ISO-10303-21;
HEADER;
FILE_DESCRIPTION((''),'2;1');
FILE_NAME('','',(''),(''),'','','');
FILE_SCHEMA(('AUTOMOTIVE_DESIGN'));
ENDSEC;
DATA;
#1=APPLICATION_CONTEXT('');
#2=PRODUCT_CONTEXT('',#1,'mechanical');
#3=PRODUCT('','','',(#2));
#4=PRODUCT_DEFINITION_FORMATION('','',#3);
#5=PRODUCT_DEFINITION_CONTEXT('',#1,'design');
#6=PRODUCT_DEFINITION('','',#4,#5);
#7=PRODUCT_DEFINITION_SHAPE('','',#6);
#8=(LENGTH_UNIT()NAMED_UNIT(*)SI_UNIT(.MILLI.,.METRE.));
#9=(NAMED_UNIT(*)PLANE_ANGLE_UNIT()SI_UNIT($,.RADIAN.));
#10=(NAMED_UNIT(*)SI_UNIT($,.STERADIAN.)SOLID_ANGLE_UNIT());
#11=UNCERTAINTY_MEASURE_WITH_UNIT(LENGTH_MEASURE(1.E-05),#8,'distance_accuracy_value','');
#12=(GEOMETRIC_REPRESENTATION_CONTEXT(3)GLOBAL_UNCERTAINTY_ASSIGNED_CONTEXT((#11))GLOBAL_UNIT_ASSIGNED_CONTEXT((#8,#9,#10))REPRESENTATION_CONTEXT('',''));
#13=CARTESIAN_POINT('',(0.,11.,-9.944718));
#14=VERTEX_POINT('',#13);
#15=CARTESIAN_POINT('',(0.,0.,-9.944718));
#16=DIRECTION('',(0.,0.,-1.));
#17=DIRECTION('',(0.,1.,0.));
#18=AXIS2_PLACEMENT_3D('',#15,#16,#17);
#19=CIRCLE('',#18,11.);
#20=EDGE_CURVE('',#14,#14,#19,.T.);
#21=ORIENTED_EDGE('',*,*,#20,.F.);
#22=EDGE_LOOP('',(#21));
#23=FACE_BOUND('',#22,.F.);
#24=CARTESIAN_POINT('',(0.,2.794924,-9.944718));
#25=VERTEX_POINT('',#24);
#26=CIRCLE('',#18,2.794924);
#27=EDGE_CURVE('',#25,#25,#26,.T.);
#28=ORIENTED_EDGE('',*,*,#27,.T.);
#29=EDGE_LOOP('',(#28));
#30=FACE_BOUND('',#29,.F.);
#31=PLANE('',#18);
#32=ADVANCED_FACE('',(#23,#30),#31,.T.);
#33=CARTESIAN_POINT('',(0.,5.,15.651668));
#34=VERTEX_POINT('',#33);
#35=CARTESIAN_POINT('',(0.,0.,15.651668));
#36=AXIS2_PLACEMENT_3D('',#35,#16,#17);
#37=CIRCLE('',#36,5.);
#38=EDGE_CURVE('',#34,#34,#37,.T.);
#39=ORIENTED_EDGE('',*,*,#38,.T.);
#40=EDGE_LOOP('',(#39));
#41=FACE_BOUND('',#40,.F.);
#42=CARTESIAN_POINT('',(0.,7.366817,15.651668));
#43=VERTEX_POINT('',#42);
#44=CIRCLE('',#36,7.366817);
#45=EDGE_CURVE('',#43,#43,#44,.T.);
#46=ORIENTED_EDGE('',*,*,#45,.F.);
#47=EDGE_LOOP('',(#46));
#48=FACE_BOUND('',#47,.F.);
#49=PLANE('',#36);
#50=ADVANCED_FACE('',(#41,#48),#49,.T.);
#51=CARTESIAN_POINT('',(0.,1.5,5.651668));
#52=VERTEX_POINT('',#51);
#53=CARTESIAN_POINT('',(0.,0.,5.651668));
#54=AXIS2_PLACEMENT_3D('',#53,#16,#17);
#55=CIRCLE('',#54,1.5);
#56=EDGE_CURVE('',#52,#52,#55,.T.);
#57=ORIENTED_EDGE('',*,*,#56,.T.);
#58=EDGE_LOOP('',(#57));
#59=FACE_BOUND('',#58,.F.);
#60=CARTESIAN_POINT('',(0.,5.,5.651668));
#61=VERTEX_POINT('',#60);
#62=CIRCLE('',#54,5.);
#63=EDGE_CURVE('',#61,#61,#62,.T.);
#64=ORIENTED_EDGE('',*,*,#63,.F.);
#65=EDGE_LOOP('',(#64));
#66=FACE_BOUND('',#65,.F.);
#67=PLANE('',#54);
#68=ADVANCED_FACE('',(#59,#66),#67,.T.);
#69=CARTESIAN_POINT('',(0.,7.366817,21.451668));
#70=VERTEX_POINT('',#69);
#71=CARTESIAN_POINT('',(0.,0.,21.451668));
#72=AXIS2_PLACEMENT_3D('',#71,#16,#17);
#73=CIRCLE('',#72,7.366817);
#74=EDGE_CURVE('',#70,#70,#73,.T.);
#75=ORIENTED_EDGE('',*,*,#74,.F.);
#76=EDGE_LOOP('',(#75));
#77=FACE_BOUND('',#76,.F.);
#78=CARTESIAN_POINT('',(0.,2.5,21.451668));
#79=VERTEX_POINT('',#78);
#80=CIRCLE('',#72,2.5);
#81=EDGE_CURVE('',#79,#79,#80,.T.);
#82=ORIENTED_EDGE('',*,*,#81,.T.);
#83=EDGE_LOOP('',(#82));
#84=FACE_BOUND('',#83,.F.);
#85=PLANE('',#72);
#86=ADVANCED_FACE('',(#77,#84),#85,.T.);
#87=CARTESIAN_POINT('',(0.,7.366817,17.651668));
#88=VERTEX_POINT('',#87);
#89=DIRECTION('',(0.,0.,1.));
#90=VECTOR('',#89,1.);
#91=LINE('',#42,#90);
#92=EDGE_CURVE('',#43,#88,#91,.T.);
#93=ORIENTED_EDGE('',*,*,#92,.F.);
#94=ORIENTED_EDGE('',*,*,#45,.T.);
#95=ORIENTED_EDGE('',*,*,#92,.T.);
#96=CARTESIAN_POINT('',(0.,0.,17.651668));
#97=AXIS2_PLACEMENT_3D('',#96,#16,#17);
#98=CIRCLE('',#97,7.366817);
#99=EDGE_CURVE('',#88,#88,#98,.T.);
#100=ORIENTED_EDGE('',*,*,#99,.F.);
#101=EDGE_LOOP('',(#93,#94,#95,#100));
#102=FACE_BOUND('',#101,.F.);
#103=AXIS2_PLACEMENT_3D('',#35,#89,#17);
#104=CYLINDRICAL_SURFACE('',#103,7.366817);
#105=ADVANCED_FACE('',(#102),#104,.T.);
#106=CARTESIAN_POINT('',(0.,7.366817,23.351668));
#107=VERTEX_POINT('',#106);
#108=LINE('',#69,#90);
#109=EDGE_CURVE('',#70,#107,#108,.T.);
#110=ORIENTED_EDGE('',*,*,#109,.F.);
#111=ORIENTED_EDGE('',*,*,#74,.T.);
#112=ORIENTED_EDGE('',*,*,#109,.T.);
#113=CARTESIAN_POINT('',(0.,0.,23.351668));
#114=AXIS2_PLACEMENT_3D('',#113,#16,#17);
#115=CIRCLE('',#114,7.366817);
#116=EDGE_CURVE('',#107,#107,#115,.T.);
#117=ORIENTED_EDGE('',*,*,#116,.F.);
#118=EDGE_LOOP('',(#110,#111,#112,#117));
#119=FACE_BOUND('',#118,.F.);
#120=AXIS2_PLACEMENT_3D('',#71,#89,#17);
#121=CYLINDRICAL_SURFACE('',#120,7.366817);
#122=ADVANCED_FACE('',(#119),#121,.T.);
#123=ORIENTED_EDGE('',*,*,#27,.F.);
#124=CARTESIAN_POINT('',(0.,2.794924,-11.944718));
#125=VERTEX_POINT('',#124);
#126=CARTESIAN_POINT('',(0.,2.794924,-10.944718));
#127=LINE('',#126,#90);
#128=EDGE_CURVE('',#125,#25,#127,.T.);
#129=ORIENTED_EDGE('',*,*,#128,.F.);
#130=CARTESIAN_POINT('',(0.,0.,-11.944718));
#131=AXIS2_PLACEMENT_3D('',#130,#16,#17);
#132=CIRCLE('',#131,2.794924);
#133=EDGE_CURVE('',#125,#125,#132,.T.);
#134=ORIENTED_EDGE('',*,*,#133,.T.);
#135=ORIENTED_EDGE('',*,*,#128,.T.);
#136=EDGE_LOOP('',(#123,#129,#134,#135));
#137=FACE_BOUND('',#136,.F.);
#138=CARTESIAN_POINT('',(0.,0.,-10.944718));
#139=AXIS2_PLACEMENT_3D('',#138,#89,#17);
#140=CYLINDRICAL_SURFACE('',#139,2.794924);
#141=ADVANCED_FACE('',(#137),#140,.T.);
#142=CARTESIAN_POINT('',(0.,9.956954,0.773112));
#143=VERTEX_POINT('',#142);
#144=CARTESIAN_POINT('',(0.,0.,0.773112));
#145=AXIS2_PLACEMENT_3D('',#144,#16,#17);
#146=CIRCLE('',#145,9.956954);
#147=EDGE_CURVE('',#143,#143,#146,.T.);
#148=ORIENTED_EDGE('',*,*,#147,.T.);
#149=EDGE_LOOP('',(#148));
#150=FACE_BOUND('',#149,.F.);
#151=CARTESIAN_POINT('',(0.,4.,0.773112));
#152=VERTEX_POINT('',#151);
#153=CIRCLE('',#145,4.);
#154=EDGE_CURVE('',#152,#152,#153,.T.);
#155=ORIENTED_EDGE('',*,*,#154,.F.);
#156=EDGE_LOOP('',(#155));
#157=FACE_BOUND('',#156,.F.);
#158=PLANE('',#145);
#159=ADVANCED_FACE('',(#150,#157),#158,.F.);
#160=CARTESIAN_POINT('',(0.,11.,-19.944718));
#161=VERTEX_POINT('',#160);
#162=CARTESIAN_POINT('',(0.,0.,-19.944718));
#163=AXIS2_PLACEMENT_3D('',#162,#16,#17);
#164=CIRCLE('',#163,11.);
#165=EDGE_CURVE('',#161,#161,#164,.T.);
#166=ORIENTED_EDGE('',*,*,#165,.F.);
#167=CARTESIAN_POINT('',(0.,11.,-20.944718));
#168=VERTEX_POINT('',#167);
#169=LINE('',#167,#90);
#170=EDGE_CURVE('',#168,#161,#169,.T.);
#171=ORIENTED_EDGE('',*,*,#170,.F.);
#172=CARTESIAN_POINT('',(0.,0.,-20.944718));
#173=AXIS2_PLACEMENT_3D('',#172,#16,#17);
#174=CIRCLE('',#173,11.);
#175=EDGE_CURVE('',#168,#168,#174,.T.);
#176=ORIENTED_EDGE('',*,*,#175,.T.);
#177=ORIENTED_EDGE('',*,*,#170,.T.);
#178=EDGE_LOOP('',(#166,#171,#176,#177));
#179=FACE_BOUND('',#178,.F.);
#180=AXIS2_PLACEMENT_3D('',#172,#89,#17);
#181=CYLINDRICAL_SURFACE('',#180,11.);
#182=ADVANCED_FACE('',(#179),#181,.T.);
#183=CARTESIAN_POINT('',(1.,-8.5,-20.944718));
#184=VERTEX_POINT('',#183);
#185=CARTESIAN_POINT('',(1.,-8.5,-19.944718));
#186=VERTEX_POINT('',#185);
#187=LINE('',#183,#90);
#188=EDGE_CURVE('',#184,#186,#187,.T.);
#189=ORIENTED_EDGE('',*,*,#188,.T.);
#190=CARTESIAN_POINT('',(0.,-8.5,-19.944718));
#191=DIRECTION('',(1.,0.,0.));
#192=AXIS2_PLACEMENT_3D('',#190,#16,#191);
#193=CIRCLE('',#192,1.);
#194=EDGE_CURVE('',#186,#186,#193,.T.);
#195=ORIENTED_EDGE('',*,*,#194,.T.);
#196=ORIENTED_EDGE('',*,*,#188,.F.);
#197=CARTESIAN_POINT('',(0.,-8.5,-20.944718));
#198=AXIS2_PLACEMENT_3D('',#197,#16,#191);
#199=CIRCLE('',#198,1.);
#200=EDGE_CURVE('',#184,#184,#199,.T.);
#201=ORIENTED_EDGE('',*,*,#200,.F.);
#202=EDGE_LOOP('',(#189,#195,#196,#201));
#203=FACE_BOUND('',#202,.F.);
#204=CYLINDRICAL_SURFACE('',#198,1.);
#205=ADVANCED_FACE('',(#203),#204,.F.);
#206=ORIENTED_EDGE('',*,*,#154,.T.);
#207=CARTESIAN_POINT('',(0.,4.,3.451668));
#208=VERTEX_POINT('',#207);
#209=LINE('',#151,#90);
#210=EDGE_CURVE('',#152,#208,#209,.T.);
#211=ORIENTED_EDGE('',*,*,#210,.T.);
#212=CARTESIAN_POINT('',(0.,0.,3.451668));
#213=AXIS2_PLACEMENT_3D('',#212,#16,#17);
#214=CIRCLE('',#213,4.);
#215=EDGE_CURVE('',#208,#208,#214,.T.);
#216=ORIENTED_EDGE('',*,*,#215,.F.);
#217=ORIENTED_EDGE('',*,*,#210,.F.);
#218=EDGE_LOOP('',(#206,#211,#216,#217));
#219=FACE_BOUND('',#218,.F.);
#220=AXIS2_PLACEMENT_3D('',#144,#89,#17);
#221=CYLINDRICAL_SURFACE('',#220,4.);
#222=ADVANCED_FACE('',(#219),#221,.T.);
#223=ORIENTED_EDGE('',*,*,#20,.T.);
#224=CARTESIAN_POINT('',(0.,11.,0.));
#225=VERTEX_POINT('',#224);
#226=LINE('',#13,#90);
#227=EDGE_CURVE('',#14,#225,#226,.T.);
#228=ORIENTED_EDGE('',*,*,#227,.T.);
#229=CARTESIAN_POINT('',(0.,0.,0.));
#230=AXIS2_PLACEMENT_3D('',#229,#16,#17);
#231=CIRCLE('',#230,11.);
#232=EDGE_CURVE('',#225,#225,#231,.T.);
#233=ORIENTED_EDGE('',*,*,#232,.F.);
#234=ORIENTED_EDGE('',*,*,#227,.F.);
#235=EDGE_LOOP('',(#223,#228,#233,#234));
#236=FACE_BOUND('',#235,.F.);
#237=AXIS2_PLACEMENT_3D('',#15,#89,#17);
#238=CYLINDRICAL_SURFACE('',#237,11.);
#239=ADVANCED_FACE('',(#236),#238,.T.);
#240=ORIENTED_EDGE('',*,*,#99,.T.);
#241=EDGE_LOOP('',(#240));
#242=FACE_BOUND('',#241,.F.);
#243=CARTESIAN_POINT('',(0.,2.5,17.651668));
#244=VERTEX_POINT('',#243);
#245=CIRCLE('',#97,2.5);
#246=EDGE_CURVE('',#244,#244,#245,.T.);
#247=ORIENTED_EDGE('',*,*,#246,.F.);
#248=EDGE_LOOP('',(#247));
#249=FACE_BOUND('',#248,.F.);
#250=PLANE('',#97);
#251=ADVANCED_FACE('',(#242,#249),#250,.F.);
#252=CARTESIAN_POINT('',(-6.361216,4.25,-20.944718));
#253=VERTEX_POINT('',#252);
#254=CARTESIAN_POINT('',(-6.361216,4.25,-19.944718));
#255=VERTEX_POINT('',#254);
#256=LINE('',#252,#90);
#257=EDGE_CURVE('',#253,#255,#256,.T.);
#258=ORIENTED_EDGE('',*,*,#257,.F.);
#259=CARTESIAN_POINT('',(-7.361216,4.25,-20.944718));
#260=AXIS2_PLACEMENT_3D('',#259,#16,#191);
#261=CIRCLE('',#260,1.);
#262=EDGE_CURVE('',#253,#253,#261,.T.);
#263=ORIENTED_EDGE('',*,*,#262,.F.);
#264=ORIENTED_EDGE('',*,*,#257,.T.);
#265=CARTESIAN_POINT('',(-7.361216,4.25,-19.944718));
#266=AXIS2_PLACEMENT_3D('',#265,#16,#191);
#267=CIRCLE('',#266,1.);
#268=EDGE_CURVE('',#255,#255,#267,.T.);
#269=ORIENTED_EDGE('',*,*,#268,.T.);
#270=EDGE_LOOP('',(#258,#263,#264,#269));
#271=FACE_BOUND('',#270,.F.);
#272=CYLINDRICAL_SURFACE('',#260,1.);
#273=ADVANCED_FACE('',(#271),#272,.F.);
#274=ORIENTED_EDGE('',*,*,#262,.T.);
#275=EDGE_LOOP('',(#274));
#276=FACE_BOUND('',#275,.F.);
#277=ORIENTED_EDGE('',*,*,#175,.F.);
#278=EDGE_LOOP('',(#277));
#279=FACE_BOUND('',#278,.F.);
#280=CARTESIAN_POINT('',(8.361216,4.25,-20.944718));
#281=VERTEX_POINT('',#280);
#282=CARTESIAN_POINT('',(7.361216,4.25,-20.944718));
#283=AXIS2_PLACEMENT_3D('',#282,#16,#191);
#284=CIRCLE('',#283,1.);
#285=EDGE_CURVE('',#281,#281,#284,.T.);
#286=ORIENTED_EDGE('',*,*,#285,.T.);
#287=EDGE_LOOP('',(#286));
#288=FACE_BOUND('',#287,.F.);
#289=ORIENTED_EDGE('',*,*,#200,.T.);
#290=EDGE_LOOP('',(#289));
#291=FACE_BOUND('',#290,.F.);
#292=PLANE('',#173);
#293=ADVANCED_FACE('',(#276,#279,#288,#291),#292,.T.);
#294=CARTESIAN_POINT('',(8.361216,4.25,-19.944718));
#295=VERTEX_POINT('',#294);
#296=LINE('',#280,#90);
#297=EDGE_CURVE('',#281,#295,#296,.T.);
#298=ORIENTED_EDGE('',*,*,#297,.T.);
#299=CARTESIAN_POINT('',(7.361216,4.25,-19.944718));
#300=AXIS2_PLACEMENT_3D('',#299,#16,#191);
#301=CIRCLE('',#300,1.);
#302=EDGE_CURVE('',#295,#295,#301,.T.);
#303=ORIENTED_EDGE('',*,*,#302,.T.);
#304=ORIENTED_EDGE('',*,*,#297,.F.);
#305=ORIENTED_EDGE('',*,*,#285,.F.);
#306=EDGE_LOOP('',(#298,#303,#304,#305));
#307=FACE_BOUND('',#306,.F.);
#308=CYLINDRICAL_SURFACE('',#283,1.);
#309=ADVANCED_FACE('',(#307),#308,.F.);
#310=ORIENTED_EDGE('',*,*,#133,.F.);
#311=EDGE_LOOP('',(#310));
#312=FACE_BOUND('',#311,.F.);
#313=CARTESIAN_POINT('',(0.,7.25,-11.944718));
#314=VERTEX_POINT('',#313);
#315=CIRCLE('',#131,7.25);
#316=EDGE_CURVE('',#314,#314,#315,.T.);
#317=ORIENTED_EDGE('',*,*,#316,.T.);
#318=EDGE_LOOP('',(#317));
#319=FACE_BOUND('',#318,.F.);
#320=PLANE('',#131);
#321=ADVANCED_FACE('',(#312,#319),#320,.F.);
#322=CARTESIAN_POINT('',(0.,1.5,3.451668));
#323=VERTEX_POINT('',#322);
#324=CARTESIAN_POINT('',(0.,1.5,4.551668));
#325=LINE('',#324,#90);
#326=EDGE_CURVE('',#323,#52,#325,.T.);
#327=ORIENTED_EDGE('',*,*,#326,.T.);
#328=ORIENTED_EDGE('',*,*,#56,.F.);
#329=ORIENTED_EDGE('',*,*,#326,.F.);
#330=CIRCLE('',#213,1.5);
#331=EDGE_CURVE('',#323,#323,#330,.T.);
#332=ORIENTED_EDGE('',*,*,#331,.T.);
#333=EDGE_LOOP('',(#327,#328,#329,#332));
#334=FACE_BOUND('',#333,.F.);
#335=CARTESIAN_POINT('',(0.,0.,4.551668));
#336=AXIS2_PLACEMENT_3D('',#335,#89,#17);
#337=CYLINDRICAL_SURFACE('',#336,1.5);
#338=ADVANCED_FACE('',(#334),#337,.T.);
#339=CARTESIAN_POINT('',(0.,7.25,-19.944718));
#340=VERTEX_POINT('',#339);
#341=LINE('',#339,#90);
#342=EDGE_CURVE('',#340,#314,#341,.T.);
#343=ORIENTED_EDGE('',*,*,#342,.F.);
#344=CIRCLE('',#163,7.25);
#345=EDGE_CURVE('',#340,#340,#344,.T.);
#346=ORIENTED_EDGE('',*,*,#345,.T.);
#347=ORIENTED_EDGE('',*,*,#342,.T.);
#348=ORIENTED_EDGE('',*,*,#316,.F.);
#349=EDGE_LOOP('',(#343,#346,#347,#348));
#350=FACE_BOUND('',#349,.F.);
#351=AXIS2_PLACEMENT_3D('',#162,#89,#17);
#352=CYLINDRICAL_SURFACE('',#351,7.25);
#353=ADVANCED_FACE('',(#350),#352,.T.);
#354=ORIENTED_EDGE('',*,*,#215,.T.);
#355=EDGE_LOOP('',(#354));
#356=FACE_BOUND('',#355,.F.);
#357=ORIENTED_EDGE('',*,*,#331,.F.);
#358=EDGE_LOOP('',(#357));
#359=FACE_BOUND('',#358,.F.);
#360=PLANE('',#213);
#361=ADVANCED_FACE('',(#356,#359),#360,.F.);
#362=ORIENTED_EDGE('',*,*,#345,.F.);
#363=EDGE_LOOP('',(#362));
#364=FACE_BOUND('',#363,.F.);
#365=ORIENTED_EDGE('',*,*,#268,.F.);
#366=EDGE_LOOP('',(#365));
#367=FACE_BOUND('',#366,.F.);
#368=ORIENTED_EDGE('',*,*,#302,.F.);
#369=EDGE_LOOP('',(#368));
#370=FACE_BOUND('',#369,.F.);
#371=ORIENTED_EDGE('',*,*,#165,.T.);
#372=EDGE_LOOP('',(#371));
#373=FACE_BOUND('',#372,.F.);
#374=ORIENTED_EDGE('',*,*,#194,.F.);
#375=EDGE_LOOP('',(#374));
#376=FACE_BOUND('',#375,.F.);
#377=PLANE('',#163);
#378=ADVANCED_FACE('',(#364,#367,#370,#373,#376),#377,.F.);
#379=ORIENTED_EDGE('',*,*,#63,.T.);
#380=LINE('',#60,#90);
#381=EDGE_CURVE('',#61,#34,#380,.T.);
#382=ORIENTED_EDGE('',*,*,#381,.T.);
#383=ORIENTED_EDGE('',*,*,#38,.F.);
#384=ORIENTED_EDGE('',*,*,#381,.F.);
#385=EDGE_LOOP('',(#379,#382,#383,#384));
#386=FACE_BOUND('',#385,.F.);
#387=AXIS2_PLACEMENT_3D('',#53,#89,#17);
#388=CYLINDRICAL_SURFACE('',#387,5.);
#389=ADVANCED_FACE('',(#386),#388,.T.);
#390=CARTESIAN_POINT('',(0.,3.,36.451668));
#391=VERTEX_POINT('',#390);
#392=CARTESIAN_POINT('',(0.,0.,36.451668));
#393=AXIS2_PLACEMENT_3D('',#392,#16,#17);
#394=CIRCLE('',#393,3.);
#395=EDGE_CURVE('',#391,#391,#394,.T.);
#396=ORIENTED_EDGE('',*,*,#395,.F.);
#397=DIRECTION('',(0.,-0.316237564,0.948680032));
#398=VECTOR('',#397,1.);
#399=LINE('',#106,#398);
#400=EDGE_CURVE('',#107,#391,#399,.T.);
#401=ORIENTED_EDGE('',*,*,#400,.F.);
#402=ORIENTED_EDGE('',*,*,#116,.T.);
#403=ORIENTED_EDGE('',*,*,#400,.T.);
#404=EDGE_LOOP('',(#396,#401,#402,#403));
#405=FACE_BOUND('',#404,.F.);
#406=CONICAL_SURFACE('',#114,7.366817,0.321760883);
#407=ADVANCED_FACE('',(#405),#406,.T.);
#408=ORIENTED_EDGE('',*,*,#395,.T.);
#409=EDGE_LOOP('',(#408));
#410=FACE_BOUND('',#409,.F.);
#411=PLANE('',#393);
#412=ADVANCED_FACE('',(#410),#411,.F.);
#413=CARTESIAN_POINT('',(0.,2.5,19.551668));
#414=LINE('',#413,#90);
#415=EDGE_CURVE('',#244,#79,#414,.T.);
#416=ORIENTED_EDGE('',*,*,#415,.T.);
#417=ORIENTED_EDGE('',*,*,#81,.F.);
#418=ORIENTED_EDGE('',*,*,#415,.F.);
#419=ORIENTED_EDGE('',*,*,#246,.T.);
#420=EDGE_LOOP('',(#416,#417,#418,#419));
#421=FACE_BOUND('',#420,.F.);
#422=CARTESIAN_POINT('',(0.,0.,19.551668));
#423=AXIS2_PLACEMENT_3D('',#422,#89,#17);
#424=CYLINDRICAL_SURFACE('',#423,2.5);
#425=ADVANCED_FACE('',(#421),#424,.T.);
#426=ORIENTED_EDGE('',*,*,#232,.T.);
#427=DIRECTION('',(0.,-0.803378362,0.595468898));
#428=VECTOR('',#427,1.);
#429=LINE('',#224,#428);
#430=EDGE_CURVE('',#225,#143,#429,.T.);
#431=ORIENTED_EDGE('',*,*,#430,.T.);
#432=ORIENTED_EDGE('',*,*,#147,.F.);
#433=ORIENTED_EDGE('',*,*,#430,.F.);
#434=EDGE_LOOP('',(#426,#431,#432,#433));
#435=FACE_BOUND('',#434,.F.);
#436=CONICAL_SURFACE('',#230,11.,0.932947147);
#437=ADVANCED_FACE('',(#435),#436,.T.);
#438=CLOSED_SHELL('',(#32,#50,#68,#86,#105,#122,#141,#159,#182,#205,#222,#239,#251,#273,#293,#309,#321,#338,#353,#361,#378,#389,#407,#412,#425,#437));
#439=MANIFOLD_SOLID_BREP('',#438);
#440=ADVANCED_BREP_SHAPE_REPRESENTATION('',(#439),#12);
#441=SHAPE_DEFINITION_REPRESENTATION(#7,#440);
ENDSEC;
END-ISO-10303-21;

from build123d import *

# Parameters (mm, degrees)
F0_W     = 2.5
F0_H     = 3.8
F0_W_2   = 1.5
F0_H_2   = 2.2
F0_W_3   = 2.794924
F0_H_3   = 2
F2_R     = 1
F3_DEPTH = 2


with BuildPart() as f1:
    # F0 (on Right) → F1 (revolve)
    with BuildSketch(Plane.YZ):
        Polygon((7.366817, 23.351668), (3, 36.451668), (0, 36.451668), (0, 23.351668), align=None)
        Polygon((7.366817, 21.451668), (7.366817, 23.351668), (0, 23.351668), (0, 21.451668), (2.5, 21.451668), align=None)
        with Locations((1.25, 19.551668)):
            Rectangle(F0_W, F0_H)
        Polygon((2.5, 17.651668), (0, 17.651668), (0, 15.651668), (5, 15.651668), (7.366817, 15.651668), (7.366817, 17.651668), align=None)
        Polygon((5, 15.651668), (0, 15.651668), (0, 5.651668), (1.5, 5.651668), (5, 5.651668), align=None)
        with Locations((0.75, 4.551668)):
            Rectangle(F0_W_2, F0_H_2)
        Polygon((1.5, 3.451668), (0, 3.451668), (0, 0.773112), (4, 0.773112), (4, 3.451668), align=None)
        Polygon((4, 0.773112), (0, 0.773112), (0, -9.944718), (2.794924, -9.944718), (11, -9.944718), (11, 0), (9.956954, 0.773112), align=None)
        with Locations((1.397462, -10.944718)):
            Rectangle(F0_W_3, F0_H_3)
        Polygon((2.794924, -11.944718), (0, -11.944718), (0, -19.944718), (7.25, -19.944718), (7.25, -11.944718), align=None)
        Polygon((7.25, -19.944718), (0, -19.944718), (0, -20.944718), (11, -20.944718), (11, -19.944718), align=None)
    revolve(axis=Axis((0, 0, 7.753475), (0, 0, -1)))

    # F2 (on face) → F3 (cut)
    with BuildSketch(Plane(origin=(0, 0, -20.944718), x_dir=(1, 0, 0), z_dir=(0, 0, -1))):
        with Locations((0, 8.5)):
            Circle(F2_R)
        with Locations((-7.361216, -4.25)):
            Circle(F2_R)
        with Locations((7.361216, -4.25)):
            Circle(F2_R)
    extrude(amount=-F3_DEPTH, mode=Mode.SUBTRACT)


solid = f1.part
